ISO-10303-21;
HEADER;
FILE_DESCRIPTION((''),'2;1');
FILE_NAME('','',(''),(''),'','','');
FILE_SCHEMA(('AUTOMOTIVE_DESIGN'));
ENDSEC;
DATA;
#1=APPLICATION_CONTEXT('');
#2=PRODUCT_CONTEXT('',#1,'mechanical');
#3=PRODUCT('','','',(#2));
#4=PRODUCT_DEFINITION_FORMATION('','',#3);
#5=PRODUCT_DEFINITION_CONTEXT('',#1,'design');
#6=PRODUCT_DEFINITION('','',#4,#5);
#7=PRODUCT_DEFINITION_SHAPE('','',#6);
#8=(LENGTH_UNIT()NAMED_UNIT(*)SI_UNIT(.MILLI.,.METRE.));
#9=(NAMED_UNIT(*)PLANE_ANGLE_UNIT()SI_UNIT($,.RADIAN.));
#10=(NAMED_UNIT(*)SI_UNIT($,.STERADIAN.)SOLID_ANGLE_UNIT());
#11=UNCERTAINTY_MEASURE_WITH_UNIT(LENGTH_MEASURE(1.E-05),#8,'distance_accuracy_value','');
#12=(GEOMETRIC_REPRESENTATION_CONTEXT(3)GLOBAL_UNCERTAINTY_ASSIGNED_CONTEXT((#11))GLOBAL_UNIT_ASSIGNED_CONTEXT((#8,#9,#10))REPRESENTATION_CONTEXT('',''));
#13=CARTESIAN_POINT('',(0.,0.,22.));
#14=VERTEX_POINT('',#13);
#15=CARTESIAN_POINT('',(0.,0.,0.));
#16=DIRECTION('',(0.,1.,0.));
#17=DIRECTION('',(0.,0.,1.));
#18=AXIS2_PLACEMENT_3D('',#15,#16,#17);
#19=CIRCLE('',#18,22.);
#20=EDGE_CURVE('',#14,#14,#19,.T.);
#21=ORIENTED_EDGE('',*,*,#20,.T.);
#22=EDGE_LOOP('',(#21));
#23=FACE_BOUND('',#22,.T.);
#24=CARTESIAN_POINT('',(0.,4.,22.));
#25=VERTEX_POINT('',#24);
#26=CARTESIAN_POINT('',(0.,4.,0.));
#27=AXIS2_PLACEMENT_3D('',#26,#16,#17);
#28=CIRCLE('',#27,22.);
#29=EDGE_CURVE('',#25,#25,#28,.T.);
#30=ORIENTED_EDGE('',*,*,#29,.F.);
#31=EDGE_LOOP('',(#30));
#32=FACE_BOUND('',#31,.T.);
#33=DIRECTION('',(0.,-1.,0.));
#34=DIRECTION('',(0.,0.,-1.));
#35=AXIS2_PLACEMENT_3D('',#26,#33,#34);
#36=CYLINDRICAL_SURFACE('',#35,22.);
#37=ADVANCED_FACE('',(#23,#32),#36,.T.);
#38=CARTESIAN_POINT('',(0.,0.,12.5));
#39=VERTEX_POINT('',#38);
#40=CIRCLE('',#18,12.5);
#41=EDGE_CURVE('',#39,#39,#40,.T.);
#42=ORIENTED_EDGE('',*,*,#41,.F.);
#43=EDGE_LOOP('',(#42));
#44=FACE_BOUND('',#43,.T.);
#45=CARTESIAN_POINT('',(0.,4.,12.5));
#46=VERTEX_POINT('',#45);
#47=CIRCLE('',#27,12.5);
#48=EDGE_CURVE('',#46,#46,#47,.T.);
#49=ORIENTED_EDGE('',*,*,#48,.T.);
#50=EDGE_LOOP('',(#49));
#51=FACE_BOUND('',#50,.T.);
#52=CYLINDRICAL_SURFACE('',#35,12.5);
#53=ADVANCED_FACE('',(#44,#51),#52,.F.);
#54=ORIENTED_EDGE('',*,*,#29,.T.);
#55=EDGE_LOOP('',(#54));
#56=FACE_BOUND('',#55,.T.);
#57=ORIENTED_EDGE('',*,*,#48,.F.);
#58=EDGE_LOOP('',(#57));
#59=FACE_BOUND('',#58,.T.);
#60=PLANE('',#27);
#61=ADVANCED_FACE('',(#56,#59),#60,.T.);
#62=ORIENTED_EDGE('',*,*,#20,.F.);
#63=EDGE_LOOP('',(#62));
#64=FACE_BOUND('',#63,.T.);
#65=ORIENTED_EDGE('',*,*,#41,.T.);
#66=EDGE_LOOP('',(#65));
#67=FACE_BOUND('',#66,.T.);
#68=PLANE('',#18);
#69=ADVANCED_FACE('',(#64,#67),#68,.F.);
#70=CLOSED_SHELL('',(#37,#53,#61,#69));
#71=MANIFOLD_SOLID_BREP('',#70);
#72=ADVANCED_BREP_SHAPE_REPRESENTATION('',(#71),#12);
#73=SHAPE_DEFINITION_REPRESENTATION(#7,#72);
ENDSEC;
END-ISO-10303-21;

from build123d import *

# Parameters (mm, degrees)
SKETCH1_R           = 22
SKETCH1_R_2         = 12.5
BOSS_EXTRUDE1_DEPTH = 4


with BuildPart() as part:
    # Sketch1 → Boss-Extrude1 (new body)
    with BuildSketch(Plane(origin=(0, 0, 0), x_dir=(1, 0, 0), z_dir=(0, 1, 0))):
        Circle(SKETCH1_R)
        Circle(SKETCH1_R_2, mode=Mode.SUBTRACT)
    extrude(amount=BOSS_EXTRUDE1_DEPTH)


solid = part.part
